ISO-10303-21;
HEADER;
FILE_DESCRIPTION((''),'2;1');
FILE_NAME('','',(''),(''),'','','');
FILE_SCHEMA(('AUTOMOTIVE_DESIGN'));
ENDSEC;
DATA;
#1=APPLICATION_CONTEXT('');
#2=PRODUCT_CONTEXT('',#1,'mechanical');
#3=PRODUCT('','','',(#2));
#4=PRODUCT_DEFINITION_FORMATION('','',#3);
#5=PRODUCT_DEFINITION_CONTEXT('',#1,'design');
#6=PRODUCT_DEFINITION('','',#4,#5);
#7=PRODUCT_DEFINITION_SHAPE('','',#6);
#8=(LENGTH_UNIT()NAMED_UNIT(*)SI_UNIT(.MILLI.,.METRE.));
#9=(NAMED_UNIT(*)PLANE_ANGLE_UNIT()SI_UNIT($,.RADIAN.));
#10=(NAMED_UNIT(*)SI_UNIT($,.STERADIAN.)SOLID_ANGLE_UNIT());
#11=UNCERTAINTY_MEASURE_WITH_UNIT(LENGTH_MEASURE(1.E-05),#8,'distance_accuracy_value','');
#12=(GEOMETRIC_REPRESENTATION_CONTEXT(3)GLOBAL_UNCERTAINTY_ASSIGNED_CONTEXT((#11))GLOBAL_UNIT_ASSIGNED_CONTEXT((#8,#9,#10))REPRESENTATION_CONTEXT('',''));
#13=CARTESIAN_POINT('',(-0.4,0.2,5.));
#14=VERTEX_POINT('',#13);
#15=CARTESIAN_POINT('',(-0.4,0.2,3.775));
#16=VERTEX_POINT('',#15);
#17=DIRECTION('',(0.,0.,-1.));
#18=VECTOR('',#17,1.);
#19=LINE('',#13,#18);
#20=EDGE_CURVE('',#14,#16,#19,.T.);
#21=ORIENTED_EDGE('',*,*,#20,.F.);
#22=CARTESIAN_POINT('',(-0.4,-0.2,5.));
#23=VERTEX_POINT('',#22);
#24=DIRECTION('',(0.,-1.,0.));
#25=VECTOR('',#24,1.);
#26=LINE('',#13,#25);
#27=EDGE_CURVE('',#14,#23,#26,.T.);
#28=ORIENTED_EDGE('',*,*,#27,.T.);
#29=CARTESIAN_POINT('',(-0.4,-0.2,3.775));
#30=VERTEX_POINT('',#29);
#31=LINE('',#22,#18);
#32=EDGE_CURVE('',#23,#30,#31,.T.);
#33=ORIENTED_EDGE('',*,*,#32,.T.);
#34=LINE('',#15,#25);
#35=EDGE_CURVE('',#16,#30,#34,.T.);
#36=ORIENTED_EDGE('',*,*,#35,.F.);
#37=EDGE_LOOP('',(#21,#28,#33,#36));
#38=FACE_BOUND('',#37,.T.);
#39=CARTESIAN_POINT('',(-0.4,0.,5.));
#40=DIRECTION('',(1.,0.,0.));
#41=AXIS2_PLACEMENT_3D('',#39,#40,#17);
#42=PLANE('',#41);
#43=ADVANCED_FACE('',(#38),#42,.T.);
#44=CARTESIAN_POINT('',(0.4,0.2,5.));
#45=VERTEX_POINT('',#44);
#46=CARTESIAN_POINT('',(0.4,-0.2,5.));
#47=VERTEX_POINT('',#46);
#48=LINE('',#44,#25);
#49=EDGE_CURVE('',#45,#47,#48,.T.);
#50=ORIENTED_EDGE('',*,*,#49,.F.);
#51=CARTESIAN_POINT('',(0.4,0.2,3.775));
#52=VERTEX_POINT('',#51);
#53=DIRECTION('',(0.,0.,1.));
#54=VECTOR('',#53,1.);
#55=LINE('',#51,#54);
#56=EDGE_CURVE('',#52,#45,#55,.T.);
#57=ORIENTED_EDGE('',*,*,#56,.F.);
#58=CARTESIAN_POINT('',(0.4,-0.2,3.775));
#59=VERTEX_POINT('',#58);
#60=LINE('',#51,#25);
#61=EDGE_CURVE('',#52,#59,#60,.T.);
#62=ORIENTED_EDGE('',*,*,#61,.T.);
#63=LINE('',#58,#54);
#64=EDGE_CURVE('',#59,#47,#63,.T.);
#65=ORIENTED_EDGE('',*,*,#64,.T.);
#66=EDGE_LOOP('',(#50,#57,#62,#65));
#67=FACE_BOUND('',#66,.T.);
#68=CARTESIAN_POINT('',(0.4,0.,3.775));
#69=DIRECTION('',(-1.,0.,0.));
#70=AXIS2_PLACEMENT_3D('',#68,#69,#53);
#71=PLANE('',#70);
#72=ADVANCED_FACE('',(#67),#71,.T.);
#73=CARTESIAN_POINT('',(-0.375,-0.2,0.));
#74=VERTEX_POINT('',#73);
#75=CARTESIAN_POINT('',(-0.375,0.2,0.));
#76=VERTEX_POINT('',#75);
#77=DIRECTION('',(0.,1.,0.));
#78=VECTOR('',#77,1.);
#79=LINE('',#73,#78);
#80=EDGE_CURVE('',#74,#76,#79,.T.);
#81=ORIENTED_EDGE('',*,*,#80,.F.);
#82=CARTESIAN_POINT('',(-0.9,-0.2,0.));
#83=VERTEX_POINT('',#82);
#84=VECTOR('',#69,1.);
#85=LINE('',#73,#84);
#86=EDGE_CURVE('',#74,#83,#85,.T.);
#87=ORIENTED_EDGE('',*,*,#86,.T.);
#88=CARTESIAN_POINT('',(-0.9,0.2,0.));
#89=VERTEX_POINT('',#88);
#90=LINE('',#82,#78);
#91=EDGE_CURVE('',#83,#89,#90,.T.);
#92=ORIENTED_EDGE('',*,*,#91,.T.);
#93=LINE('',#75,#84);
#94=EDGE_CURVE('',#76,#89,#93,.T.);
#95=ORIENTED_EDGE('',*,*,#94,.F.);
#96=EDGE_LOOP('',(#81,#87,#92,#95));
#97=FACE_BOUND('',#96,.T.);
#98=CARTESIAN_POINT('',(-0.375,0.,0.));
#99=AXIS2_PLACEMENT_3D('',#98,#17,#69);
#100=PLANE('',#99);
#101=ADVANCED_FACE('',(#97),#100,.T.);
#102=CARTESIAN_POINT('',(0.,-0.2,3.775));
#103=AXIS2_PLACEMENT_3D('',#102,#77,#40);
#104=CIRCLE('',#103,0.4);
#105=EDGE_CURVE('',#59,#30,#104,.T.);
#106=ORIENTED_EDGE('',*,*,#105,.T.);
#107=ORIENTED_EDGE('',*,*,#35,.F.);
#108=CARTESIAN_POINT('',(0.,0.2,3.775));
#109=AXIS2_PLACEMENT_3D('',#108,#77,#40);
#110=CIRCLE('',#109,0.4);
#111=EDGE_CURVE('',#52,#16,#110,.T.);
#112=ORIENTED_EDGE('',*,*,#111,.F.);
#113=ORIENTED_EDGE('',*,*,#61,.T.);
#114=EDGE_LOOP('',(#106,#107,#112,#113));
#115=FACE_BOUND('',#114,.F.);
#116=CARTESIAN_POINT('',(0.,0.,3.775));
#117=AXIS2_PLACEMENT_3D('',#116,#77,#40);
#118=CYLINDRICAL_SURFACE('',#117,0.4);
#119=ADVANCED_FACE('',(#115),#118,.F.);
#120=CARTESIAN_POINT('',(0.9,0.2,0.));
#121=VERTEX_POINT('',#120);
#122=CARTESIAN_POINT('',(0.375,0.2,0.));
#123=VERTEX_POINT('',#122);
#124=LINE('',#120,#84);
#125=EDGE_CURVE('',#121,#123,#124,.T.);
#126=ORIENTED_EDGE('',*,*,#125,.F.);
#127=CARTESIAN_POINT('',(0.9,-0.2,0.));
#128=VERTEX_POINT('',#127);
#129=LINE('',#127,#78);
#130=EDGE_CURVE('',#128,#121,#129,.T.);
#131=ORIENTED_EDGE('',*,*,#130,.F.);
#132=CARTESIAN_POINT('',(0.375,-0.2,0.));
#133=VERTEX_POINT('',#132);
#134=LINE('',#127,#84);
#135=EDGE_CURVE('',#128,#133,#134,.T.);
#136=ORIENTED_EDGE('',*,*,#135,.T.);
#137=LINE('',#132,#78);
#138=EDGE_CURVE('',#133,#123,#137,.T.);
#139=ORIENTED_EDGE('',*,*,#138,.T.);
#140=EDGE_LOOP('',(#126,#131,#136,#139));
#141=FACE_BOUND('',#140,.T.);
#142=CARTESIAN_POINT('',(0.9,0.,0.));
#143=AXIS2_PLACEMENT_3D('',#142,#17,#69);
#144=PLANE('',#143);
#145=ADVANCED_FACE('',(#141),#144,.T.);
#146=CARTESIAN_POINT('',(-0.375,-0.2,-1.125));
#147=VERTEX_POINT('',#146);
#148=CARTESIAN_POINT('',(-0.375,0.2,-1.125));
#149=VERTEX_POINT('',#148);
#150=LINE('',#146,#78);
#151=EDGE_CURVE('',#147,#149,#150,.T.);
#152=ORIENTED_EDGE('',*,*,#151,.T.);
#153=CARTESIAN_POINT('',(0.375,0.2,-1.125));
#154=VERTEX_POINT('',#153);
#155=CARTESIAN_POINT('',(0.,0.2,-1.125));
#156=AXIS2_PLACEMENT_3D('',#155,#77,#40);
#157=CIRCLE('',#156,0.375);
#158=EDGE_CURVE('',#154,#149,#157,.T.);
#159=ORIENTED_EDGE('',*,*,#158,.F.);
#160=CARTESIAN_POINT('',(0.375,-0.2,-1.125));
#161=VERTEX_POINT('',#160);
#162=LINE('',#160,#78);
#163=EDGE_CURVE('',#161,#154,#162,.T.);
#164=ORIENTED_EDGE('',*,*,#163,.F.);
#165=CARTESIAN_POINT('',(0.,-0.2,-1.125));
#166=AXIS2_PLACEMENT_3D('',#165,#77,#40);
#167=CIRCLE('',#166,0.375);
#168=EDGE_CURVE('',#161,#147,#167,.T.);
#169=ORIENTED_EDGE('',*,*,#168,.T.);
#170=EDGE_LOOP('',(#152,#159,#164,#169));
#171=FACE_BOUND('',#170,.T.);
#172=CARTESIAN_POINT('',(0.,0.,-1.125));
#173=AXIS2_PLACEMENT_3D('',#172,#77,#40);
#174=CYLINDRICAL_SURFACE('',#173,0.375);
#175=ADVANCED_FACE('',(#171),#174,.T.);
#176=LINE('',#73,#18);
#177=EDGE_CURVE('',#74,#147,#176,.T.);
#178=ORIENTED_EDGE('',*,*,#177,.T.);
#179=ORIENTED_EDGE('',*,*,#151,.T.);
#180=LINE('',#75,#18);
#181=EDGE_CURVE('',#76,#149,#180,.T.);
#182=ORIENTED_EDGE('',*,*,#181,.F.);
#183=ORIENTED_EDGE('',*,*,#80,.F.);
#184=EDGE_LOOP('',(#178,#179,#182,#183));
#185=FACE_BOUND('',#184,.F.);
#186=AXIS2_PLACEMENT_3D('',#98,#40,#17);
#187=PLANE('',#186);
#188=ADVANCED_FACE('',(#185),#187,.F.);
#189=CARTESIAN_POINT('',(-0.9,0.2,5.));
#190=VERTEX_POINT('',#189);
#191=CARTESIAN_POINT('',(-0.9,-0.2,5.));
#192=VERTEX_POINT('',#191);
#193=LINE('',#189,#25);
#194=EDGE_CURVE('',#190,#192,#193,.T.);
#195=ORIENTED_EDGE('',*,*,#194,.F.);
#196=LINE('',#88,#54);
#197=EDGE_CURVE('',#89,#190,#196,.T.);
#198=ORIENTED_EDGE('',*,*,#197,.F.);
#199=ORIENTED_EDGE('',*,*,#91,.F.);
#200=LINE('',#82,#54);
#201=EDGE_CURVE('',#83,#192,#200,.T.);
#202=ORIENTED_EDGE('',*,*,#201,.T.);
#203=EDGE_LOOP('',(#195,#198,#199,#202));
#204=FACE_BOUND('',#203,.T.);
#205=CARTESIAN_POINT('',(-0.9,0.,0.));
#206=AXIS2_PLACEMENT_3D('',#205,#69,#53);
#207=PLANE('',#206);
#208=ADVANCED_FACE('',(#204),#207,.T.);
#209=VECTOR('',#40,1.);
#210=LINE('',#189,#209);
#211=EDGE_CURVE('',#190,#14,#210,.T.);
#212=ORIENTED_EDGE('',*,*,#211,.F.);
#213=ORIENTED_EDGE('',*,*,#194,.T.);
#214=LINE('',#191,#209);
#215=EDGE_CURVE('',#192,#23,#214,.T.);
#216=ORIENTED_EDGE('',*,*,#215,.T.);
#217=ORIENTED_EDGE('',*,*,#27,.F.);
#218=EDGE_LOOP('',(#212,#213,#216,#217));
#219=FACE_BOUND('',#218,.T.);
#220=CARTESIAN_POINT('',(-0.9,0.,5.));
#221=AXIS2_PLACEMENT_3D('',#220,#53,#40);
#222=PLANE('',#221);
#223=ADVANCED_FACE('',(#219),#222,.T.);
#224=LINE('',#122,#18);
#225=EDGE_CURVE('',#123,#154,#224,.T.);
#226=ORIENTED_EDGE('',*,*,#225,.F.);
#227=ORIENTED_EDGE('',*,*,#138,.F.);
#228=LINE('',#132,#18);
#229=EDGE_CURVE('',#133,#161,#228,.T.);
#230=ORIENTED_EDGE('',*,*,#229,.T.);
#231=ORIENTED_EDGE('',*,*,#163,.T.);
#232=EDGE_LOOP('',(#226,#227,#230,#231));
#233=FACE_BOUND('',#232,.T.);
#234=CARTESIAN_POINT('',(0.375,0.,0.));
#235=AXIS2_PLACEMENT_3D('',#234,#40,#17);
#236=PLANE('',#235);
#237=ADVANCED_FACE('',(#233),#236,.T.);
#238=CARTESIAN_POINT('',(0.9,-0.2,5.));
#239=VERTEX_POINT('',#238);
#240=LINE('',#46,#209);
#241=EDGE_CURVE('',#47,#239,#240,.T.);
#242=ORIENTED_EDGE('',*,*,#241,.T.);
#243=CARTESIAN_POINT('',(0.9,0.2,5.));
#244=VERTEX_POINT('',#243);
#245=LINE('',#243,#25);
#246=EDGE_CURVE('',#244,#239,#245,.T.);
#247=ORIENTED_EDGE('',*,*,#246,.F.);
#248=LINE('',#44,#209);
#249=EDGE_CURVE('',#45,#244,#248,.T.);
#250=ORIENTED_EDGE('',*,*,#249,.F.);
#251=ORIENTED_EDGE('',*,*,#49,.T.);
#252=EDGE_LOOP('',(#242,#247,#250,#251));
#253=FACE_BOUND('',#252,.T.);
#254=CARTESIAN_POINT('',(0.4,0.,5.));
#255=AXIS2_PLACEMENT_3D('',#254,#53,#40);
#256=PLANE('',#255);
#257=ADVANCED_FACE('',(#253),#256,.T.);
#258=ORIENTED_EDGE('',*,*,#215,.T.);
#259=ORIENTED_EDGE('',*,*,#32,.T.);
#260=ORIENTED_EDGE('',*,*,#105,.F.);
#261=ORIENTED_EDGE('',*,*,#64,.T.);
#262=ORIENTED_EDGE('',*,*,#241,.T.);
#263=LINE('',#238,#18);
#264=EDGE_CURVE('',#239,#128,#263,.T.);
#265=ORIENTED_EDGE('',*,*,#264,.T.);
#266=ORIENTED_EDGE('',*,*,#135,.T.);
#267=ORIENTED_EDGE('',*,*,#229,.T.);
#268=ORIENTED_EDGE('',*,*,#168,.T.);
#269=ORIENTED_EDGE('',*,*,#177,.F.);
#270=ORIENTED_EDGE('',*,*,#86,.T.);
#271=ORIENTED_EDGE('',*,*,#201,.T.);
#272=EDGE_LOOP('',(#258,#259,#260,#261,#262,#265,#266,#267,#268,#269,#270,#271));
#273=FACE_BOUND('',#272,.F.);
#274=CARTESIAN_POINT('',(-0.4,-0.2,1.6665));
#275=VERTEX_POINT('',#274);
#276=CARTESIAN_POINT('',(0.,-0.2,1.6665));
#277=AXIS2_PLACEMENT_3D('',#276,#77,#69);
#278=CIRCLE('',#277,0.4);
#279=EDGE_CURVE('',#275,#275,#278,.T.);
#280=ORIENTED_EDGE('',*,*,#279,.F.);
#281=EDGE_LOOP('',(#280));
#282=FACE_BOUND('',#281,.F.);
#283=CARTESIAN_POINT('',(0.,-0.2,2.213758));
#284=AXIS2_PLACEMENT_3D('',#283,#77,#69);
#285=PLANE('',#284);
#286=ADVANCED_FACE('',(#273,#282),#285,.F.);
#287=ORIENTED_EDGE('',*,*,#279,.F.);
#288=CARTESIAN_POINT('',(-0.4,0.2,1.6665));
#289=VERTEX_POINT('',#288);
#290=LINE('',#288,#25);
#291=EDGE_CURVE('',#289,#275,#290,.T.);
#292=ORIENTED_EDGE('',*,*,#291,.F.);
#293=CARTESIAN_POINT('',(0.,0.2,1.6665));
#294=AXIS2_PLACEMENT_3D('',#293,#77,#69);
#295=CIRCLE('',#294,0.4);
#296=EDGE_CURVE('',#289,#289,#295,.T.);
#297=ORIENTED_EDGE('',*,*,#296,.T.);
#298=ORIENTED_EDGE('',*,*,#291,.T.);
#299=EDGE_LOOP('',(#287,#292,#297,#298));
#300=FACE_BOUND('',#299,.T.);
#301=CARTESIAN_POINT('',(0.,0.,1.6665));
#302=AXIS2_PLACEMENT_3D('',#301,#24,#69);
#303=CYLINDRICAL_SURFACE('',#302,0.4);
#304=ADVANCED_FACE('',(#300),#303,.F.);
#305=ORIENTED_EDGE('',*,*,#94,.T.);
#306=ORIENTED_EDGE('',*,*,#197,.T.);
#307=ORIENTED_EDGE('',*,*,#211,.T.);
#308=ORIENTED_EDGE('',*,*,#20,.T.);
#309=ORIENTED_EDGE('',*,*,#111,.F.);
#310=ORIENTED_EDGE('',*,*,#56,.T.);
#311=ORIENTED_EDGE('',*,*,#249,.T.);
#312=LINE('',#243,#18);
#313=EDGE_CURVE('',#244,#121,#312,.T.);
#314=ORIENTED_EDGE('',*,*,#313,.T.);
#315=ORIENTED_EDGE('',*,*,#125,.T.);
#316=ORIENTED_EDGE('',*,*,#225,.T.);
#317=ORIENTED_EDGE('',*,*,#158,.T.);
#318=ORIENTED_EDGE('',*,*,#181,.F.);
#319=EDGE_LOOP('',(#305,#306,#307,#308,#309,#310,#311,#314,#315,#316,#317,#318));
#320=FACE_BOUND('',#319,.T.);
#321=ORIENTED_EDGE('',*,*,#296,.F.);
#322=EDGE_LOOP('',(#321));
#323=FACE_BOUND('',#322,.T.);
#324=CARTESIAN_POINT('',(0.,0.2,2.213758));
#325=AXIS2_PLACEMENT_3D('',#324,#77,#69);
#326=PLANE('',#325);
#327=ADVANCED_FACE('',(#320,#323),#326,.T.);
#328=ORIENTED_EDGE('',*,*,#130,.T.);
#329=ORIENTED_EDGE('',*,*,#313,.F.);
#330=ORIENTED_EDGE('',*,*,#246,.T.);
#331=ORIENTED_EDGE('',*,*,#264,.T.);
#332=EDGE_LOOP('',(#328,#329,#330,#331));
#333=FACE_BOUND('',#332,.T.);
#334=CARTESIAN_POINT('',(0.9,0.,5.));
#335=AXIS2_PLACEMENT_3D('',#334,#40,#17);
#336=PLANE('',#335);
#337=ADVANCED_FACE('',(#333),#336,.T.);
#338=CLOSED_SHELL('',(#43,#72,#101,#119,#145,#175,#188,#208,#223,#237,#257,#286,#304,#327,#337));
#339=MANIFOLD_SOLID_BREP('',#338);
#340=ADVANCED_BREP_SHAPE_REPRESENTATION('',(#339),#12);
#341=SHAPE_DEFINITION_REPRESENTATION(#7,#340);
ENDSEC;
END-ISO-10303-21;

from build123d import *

# Parameters (mm, degrees)
SKETCH_R  = 0.4
PAD_DEPTH = 0.2


with BuildPart() as part:
    # Sketch → Pad (new body, symmetric)
    with BuildSketch(Plane(origin=(0, 0, 0), x_dir=(-1, 0, 0), z_dir=(0, 1, 0))):
        with BuildLine():
            Line((-0.9, 5), (-0.9, 0))
            Line((-0.9, 0), (-0.375, 0))
            Line((-0.375, 0), (-0.375, -1.125))
            ThreePointArc((-0.375, -1.125), (0, -1.5), (0.375, -1.125))
            Line((0.375, 0), (0.375, -1.125))
            Line((0.375, 0), (0.9, 0))
            Line((0.9, 0), (0.9, 5))
            Line((0.9, 5), (0.4, 5))
            Line((0.4, 5), (0.4, 3.775))
            ThreePointArc((-0.4, 3.775), (0, 3.375), (0.4, 3.775))
            Line((-0.4, 3.775), (-0.4, 5))
            Line((-0.4, 5), (-0.9, 5))
        make_face()
        with Locations((0, 1.6665)):
            Circle(SKETCH_R, mode=Mode.SUBTRACT)
    extrude(amount=PAD_DEPTH, both=True)


solid = part.part
